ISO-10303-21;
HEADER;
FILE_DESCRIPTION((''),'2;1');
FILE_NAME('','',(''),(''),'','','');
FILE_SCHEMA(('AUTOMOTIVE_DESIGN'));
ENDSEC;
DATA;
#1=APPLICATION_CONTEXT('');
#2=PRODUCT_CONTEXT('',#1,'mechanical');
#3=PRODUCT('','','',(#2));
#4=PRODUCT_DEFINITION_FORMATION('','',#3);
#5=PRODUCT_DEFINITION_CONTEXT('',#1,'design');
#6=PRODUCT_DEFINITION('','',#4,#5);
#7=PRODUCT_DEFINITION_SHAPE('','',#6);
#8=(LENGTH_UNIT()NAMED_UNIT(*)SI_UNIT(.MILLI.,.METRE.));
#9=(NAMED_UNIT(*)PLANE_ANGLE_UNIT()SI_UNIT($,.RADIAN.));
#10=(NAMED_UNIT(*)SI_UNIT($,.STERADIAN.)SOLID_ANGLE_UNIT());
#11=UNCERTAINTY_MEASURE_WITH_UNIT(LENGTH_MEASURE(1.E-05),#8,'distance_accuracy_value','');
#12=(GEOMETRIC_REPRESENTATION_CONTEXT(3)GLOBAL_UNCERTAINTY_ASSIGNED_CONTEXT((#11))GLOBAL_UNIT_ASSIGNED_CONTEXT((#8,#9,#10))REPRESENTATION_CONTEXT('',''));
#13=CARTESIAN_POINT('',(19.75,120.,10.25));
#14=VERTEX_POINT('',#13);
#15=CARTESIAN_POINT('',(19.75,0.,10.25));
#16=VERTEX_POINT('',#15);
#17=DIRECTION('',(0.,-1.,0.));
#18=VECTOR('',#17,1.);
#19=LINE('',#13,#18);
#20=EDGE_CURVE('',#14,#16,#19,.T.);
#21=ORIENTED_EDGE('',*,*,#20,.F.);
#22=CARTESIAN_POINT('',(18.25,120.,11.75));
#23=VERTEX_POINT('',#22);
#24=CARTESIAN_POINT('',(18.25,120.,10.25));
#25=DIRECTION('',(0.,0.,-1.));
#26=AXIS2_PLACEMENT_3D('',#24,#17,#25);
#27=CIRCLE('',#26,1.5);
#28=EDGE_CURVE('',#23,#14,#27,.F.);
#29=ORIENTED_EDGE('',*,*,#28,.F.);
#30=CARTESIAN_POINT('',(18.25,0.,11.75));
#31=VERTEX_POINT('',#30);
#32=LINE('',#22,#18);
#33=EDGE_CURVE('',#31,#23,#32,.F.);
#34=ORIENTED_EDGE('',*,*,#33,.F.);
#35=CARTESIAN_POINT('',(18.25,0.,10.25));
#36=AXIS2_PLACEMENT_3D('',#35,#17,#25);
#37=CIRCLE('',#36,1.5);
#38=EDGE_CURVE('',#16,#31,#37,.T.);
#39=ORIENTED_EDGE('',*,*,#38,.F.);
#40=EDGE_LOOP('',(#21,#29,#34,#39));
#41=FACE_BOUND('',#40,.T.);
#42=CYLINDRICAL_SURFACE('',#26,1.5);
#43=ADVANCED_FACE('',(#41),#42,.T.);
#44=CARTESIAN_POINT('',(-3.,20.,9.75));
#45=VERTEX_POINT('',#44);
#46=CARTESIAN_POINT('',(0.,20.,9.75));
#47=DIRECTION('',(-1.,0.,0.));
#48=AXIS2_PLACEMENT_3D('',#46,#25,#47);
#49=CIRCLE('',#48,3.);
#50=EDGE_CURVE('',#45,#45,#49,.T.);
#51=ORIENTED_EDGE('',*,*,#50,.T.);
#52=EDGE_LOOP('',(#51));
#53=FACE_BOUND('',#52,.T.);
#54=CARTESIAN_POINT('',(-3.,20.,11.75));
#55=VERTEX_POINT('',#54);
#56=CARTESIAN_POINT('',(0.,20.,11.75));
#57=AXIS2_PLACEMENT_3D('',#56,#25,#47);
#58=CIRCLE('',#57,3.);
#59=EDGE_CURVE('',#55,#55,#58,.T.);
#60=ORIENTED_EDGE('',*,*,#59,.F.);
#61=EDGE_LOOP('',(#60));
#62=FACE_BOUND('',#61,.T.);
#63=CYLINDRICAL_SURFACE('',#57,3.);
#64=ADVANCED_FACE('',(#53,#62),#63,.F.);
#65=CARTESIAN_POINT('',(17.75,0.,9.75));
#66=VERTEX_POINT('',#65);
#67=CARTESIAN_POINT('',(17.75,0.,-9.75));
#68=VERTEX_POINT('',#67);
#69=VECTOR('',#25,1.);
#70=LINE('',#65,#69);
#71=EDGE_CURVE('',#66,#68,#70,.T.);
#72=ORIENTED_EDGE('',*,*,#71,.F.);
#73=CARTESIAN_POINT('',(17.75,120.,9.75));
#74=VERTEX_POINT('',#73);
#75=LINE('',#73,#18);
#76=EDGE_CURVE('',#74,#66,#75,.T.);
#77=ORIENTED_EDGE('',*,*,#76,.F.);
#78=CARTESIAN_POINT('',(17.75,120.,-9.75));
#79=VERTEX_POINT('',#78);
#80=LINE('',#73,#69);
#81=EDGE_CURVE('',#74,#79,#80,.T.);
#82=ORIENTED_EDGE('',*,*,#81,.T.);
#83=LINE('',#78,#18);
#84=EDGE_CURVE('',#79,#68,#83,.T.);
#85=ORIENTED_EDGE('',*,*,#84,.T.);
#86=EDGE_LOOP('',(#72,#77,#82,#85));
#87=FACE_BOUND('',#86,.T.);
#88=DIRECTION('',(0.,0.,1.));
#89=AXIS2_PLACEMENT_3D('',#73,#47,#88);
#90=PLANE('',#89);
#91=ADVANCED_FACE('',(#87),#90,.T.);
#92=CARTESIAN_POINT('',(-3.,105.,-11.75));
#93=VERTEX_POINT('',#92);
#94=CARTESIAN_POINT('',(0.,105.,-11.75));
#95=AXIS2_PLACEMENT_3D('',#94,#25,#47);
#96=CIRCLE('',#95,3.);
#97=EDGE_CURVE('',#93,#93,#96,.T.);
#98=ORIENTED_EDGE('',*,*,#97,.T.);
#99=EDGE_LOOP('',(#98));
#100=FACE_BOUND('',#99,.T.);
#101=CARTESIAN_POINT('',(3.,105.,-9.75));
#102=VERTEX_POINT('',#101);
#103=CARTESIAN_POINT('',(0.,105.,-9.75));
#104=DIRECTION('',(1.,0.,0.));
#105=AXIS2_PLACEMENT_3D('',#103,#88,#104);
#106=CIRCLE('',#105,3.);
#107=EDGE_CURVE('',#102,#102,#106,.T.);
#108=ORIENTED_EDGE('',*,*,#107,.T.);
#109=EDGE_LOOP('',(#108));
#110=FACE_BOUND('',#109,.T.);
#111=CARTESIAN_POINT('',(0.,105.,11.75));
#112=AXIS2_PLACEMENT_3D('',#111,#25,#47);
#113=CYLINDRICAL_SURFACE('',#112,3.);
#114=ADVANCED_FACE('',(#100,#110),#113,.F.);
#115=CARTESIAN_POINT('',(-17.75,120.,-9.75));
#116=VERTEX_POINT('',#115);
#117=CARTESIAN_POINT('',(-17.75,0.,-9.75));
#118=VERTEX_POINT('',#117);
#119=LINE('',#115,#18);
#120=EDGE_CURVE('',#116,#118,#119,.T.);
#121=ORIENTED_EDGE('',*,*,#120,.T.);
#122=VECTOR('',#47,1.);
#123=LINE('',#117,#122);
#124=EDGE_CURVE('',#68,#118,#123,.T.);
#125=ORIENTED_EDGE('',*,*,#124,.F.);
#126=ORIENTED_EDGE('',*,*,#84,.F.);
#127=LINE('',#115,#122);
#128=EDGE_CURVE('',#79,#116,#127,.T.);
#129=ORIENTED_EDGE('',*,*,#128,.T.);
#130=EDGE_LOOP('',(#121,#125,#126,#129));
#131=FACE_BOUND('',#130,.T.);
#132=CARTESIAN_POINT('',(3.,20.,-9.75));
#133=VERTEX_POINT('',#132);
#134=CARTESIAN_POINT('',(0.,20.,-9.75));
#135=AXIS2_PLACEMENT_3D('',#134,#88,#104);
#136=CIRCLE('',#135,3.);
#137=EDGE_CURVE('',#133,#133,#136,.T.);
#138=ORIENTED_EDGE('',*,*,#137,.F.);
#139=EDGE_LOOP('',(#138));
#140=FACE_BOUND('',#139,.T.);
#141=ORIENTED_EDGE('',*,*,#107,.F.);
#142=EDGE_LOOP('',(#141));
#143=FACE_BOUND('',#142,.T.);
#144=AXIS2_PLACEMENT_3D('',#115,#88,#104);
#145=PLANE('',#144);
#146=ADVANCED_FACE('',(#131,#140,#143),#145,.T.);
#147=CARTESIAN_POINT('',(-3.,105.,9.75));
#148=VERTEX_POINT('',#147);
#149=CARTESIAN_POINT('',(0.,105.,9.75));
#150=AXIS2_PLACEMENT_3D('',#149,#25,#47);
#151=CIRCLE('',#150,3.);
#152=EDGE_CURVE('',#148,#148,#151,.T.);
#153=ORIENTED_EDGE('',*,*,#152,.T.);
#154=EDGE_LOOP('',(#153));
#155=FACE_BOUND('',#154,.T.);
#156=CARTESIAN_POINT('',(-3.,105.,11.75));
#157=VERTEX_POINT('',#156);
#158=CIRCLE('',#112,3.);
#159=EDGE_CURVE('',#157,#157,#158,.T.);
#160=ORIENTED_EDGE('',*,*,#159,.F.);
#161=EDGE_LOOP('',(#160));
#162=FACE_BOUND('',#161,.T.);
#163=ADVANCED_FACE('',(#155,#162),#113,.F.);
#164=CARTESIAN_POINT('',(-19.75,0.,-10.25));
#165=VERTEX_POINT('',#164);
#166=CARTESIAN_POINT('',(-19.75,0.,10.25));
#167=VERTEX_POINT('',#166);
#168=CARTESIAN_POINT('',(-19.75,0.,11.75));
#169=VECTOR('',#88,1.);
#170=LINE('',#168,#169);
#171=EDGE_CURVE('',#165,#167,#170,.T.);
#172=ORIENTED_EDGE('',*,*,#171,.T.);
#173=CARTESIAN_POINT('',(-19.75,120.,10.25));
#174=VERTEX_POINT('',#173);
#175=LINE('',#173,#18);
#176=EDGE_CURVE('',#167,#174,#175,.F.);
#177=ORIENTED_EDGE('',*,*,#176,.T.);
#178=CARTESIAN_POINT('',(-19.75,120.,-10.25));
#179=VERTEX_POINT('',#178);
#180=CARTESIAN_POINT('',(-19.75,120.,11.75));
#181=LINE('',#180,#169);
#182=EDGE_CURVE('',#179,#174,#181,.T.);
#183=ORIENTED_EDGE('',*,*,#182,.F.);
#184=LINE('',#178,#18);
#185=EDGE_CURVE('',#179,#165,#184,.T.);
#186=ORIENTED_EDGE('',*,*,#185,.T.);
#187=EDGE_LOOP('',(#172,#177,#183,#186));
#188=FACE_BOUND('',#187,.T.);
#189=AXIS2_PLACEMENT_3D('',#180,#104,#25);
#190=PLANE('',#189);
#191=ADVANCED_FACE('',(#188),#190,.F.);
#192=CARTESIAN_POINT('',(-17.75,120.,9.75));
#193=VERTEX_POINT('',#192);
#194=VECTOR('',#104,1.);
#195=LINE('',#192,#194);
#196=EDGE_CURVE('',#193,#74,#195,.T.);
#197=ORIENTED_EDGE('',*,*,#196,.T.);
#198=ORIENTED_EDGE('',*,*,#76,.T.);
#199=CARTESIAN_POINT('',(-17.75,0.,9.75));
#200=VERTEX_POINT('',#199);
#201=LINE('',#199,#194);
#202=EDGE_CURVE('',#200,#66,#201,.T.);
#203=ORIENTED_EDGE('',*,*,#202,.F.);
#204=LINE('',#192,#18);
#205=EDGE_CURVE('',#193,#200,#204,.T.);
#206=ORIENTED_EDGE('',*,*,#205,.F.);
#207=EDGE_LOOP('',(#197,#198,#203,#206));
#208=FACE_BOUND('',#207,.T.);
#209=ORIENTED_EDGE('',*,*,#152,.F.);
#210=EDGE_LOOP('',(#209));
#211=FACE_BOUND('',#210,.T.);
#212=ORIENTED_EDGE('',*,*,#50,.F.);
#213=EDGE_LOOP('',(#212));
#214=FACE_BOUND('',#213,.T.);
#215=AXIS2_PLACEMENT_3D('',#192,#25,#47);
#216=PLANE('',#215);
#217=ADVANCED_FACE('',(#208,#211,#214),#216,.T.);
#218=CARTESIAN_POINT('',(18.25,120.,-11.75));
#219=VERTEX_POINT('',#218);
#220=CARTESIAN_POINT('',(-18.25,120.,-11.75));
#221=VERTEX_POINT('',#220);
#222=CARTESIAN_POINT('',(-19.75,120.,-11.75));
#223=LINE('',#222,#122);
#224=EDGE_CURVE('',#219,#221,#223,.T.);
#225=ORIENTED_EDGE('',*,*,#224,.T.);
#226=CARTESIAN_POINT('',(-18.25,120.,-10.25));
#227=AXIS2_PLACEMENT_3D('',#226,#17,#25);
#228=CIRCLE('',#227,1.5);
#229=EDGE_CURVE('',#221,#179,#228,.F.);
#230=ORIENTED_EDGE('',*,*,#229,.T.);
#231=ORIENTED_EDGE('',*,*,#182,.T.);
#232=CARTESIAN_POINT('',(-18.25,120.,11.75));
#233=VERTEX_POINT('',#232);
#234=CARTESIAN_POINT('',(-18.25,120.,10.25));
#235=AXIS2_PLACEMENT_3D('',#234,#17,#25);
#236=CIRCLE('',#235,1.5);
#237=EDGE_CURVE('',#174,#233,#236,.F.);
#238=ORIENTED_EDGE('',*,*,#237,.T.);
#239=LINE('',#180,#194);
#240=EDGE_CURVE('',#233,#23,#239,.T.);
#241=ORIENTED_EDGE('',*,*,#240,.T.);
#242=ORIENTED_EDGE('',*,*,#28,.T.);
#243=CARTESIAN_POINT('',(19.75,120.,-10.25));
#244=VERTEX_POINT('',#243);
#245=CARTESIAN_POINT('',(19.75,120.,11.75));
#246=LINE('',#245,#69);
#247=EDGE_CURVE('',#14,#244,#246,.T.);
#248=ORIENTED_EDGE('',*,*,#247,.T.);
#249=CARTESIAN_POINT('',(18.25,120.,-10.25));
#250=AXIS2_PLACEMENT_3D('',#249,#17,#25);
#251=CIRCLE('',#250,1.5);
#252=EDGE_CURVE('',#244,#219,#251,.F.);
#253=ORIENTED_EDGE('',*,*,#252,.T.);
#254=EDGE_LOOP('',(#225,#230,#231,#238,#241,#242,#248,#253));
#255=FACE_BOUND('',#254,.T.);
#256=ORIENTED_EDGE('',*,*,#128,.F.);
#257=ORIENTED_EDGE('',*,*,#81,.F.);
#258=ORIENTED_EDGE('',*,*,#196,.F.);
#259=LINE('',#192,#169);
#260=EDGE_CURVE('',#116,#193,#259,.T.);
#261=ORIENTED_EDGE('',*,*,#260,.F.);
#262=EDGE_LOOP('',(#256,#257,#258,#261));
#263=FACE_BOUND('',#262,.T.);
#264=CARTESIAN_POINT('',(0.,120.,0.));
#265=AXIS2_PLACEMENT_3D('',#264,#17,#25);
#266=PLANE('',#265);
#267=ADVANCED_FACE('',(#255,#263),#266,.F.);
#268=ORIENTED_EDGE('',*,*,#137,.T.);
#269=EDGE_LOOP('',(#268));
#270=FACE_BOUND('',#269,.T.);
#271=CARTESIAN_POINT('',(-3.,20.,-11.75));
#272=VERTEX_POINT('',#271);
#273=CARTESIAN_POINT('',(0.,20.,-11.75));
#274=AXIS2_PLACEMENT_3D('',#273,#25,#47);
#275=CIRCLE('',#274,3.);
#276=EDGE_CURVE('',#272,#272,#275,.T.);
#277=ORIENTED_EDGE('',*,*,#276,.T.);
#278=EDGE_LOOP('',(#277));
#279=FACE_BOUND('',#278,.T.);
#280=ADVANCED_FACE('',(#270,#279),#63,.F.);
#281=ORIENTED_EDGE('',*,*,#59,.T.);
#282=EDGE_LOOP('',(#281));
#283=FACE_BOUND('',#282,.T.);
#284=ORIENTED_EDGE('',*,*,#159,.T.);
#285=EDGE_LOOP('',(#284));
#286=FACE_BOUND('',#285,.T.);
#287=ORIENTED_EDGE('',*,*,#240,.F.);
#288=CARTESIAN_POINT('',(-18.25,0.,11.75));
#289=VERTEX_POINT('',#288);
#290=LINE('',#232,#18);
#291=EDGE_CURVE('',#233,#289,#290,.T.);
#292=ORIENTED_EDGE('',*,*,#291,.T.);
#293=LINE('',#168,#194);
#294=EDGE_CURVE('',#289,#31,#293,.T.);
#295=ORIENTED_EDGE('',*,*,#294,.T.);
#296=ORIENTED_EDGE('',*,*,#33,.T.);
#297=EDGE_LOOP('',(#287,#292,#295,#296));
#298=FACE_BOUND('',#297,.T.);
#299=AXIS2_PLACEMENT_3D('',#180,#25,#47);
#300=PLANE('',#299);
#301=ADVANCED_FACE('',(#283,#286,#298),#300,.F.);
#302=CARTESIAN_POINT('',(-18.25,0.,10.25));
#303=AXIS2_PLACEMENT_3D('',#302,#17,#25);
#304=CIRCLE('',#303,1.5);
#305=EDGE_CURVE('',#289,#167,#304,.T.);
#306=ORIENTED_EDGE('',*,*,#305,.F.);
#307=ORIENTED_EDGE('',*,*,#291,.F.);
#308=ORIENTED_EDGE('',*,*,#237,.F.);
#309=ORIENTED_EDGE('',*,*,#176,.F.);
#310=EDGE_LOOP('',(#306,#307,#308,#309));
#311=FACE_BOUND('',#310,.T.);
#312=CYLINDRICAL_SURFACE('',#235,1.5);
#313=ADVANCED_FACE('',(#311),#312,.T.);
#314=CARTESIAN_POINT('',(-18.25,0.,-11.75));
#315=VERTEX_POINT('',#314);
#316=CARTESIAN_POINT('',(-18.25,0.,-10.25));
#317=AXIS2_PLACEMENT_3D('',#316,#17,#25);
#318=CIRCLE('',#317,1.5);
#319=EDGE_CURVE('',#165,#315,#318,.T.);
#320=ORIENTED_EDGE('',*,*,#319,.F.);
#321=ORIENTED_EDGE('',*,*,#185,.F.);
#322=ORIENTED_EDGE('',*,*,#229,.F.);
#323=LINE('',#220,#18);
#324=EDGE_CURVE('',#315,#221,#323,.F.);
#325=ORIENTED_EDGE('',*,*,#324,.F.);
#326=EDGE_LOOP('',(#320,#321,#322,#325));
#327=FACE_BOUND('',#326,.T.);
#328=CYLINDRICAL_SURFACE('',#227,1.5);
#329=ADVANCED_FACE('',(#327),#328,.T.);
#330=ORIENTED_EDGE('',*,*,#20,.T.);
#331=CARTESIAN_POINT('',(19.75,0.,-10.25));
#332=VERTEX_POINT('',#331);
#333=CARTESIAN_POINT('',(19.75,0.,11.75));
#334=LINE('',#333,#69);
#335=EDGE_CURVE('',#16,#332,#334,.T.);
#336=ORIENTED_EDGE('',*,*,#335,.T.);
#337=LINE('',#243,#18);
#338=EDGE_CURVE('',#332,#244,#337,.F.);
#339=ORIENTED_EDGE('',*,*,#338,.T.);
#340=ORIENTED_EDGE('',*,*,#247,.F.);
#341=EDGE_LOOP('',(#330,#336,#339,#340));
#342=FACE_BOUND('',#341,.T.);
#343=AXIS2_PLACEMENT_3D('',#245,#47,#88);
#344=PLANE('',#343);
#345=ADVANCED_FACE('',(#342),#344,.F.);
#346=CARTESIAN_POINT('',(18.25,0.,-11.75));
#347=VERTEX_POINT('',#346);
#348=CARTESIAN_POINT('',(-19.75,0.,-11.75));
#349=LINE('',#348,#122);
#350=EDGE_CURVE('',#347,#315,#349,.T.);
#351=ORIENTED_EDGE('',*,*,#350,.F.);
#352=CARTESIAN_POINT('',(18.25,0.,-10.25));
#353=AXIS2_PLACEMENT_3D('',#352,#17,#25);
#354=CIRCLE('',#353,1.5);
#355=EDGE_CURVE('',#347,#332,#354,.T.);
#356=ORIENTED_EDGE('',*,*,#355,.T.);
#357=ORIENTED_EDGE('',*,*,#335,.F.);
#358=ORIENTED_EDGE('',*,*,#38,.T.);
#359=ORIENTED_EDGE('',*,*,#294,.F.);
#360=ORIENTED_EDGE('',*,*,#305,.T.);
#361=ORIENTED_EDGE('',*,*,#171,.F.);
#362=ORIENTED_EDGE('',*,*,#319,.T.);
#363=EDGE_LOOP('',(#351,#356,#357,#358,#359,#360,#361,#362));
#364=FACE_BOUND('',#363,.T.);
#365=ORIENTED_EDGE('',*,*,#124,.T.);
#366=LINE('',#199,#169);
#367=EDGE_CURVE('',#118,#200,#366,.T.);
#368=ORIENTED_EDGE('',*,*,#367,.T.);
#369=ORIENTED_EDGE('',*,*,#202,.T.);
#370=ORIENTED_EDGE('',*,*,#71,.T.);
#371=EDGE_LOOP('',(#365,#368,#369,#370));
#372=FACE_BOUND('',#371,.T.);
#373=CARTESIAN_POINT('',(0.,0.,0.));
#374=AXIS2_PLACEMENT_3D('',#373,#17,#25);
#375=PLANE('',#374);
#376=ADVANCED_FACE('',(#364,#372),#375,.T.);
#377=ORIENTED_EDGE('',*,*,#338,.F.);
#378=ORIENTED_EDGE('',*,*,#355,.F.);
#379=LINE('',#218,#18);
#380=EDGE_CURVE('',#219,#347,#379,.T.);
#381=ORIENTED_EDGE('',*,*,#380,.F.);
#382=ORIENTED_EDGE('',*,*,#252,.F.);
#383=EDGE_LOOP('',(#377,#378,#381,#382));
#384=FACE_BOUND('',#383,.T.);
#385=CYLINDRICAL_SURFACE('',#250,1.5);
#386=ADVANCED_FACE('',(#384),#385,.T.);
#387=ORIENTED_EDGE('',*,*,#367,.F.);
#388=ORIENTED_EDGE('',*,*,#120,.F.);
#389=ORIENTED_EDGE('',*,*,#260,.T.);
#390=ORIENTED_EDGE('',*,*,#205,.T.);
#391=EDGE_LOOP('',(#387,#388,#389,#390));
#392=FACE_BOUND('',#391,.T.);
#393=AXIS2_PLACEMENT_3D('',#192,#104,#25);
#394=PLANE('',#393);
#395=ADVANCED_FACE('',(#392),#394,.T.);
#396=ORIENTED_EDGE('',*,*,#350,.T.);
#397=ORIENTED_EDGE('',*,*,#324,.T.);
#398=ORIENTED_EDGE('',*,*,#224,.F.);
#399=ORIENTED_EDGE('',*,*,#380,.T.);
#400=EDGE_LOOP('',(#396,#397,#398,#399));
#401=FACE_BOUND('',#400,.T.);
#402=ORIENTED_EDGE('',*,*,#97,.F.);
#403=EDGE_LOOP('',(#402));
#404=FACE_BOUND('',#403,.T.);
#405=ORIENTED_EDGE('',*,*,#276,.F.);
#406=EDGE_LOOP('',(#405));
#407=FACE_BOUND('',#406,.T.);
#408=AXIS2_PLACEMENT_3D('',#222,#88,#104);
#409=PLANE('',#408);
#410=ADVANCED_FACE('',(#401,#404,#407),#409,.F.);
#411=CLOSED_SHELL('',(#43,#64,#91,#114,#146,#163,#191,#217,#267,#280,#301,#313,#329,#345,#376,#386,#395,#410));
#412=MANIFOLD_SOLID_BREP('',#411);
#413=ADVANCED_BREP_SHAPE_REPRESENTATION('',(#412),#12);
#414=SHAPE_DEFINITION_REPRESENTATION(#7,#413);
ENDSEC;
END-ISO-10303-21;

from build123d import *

# Parameters (mm, degrees)
SKETCH1_W               = 39.5
SKETCH1_H               = 23.5
SKETCH1_W_2             = 35.5
SKETCH1_H_2             = 19.5
BOSS_EXTRUDE1_DEPTH     = 120
CUT_EXTRUDE1_DEPTH      = 124.500253036
CUT_EXTRUDE1_DEPTH_BACK = 124.500253036
SKETCH2_R               = 3
FILLET1_R               = 1.5


with BuildPart() as part:
    # Sketch1 → Boss-Extrude1 (new body)
    with BuildSketch(Plane(origin=(0, 0, 0), x_dir=(1, 0, 0), z_dir=(0, 1, 0))):
        Rectangle(SKETCH1_W, SKETCH1_H)
        Rectangle(SKETCH1_W_2, SKETCH1_H_2, mode=Mode.SUBTRACT)
    extrude(amount=BOSS_EXTRUDE1_DEPTH)

    # Sketch2 → Cut-Extrude1 (cut, two sides: drawn at the far end of the back side and taken through both)
    with BuildSketch(Plane(origin=(0, 0, 9.75), x_dir=(-1, 0, 0), z_dir=(0, 0, -1)).offset(-CUT_EXTRUDE1_DEPTH_BACK)):
        with Locations((0, 105)):
            Circle(SKETCH2_R)
        with Locations((0, 20)):
            Circle(SKETCH2_R)
    extrude(amount=CUT_EXTRUDE1_DEPTH + CUT_EXTRUDE1_DEPTH_BACK, mode=Mode.SUBTRACT)

    # Fillet1
    fillet1_edges = [part.edges().sort_by_distance(p)[0] for p in [
        (19.75, 60, 11.75),
        (-19.75, 60, 11.75),
        (-19.75, 60, -11.75),
        (19.75, 60, -11.75),
    ]]
    fillet(fillet1_edges, radius=FILLET1_R)


solid = part.part
